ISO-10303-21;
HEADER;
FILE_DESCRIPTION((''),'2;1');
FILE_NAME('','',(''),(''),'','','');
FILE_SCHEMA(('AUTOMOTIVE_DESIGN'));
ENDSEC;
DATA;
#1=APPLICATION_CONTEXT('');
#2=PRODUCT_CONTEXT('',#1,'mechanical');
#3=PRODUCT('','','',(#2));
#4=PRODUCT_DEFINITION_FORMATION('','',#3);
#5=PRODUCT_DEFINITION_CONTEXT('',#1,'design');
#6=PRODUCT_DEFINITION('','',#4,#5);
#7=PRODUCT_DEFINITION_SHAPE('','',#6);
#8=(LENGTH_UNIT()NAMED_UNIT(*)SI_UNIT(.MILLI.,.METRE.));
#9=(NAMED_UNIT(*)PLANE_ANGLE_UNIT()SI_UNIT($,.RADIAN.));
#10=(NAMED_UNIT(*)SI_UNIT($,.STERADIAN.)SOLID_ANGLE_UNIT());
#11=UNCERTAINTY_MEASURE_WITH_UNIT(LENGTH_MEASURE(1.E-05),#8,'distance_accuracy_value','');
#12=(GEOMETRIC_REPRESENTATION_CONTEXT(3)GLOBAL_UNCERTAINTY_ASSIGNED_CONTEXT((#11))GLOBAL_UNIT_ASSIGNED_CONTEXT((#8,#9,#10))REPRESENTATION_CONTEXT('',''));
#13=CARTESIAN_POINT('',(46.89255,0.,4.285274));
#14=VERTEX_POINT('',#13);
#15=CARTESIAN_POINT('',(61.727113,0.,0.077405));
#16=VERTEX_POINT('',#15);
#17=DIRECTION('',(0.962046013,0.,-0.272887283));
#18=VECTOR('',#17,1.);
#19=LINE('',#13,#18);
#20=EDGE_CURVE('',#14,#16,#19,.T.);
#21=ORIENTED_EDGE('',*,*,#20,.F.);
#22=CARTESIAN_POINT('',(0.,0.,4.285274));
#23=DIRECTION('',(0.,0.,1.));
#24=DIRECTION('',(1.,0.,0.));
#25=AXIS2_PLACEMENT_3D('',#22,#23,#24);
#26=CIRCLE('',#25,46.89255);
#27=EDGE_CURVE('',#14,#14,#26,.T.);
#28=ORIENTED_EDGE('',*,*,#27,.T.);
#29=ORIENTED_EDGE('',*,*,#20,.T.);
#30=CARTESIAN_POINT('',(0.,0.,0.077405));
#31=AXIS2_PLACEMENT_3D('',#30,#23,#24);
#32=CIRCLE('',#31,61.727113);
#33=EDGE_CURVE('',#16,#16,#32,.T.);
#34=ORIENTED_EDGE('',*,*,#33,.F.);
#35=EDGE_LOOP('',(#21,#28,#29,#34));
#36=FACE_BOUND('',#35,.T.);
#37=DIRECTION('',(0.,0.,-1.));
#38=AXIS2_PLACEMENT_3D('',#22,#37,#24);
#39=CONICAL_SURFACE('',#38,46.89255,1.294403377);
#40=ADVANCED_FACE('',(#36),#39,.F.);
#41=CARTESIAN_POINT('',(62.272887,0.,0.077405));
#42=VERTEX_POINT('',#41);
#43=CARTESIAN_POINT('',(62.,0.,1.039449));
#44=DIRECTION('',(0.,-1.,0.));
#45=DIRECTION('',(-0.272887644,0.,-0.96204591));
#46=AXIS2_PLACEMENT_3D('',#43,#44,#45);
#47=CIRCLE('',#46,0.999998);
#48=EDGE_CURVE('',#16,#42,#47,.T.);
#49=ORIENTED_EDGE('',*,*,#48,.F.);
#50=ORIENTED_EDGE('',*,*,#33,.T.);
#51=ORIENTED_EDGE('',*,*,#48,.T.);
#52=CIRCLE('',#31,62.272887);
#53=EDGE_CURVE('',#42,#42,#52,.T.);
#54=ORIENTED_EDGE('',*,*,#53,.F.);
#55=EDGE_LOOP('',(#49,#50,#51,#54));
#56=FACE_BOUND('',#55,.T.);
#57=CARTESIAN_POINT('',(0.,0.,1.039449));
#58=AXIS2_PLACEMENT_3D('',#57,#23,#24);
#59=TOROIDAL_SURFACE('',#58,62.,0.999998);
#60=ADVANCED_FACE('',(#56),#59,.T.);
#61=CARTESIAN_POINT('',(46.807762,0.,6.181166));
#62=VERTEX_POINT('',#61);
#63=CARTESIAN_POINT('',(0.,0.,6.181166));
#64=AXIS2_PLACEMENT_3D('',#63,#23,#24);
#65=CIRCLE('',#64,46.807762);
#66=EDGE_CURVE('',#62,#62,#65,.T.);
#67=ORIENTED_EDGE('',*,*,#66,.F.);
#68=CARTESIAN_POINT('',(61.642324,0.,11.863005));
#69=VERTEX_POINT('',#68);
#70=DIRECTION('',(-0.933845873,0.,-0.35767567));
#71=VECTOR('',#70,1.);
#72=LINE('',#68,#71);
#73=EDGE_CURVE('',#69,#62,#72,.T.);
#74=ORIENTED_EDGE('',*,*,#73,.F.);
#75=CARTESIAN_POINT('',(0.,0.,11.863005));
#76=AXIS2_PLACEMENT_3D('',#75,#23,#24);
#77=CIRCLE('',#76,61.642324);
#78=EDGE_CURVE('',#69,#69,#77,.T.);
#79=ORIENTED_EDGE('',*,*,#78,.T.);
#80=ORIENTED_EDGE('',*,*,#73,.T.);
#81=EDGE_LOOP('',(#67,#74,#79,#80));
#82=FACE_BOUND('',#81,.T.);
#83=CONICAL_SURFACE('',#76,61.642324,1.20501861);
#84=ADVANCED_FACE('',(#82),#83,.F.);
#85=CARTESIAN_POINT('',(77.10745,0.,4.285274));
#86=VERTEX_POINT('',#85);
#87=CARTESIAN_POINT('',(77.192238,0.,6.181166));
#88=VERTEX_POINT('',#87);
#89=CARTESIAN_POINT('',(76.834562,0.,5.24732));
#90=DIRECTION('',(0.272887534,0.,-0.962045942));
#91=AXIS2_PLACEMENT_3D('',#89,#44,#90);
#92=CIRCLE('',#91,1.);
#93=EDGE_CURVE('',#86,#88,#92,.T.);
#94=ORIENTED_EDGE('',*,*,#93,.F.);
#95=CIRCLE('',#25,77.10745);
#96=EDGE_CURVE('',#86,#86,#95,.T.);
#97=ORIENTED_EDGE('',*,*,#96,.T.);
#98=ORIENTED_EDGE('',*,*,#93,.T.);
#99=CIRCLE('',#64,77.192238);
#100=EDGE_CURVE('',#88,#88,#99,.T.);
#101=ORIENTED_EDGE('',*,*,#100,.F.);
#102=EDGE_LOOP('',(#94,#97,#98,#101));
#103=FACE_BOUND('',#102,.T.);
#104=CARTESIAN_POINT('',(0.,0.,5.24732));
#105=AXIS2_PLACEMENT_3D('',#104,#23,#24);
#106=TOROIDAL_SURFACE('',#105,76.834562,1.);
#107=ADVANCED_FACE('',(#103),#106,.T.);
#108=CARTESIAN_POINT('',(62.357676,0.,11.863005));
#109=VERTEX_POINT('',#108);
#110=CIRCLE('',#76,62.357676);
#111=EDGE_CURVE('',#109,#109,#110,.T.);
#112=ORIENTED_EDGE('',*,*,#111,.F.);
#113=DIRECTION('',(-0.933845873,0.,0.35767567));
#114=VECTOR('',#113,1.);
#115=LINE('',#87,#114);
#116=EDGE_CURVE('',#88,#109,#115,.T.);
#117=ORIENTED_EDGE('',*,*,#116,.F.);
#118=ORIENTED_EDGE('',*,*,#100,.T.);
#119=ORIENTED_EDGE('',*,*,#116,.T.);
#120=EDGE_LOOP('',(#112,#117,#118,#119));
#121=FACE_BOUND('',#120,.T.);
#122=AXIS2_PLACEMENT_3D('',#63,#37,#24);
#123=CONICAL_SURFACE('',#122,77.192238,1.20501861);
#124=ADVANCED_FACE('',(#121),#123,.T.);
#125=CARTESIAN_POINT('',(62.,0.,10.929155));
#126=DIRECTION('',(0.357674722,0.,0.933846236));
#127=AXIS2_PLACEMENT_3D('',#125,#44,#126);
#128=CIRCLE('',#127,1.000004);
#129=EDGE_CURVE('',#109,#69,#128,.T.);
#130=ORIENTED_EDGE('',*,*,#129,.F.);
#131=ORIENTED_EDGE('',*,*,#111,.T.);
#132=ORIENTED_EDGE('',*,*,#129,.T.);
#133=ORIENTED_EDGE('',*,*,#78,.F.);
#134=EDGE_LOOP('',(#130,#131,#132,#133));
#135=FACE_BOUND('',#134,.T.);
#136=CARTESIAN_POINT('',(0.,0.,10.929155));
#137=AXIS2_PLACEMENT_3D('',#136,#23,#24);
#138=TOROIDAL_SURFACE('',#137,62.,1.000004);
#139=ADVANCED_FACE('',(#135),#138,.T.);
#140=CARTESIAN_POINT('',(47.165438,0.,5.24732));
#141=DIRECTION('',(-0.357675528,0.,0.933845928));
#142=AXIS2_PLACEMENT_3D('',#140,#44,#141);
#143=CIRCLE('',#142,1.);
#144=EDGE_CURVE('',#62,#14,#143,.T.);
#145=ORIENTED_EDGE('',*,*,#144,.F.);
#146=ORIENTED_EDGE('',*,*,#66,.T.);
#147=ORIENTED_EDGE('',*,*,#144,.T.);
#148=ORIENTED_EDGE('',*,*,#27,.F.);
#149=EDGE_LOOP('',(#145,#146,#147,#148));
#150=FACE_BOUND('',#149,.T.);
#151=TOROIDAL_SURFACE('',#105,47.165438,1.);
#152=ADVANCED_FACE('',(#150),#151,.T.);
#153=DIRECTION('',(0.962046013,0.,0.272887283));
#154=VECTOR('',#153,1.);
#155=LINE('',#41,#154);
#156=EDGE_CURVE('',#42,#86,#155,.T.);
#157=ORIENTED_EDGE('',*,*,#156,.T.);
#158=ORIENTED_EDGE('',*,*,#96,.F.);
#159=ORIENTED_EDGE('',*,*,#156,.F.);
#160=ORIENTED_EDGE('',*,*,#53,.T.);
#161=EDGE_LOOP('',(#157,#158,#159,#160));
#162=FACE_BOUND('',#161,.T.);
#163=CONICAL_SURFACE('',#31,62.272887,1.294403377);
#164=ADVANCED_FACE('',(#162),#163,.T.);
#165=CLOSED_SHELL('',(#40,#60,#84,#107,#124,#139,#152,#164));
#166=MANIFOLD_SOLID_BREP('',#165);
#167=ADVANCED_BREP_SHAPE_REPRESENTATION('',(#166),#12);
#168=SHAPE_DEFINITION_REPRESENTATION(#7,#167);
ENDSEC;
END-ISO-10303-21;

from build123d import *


with BuildPart() as f1:
    # F0 (on Front) → F1 (revolve)
    with BuildSketch(Plane.XZ):
        with BuildLine():
            Line((62.272887, 0.077405), (77.10745, 4.285274))
            ThreePointArc((77.10745, 4.285274), (77.833564, 5.202643), (77.192238, 6.181166))
            Line((77.192238, 6.181166), (62.357676, 11.863005))
            ThreePointArc((62.357676, 11.863005), (62, 11.929159), (61.642324, 11.863005))
            Line((61.642324, 11.863005), (46.807762, 6.181166))
            ThreePointArc((46.807762, 6.181166), (46.166436, 5.202643), (46.89255, 4.285274))
            Line((46.89255, 4.285274), (61.727113, 0.077405))
            ThreePointArc((61.727113, 0.077405), (62, 0.039451), (62.272887, 0.077405))
        make_face()
    revolve(axis=Axis((0, 0, 13.071452), (0, 0, 1)))


solid = f1.part
